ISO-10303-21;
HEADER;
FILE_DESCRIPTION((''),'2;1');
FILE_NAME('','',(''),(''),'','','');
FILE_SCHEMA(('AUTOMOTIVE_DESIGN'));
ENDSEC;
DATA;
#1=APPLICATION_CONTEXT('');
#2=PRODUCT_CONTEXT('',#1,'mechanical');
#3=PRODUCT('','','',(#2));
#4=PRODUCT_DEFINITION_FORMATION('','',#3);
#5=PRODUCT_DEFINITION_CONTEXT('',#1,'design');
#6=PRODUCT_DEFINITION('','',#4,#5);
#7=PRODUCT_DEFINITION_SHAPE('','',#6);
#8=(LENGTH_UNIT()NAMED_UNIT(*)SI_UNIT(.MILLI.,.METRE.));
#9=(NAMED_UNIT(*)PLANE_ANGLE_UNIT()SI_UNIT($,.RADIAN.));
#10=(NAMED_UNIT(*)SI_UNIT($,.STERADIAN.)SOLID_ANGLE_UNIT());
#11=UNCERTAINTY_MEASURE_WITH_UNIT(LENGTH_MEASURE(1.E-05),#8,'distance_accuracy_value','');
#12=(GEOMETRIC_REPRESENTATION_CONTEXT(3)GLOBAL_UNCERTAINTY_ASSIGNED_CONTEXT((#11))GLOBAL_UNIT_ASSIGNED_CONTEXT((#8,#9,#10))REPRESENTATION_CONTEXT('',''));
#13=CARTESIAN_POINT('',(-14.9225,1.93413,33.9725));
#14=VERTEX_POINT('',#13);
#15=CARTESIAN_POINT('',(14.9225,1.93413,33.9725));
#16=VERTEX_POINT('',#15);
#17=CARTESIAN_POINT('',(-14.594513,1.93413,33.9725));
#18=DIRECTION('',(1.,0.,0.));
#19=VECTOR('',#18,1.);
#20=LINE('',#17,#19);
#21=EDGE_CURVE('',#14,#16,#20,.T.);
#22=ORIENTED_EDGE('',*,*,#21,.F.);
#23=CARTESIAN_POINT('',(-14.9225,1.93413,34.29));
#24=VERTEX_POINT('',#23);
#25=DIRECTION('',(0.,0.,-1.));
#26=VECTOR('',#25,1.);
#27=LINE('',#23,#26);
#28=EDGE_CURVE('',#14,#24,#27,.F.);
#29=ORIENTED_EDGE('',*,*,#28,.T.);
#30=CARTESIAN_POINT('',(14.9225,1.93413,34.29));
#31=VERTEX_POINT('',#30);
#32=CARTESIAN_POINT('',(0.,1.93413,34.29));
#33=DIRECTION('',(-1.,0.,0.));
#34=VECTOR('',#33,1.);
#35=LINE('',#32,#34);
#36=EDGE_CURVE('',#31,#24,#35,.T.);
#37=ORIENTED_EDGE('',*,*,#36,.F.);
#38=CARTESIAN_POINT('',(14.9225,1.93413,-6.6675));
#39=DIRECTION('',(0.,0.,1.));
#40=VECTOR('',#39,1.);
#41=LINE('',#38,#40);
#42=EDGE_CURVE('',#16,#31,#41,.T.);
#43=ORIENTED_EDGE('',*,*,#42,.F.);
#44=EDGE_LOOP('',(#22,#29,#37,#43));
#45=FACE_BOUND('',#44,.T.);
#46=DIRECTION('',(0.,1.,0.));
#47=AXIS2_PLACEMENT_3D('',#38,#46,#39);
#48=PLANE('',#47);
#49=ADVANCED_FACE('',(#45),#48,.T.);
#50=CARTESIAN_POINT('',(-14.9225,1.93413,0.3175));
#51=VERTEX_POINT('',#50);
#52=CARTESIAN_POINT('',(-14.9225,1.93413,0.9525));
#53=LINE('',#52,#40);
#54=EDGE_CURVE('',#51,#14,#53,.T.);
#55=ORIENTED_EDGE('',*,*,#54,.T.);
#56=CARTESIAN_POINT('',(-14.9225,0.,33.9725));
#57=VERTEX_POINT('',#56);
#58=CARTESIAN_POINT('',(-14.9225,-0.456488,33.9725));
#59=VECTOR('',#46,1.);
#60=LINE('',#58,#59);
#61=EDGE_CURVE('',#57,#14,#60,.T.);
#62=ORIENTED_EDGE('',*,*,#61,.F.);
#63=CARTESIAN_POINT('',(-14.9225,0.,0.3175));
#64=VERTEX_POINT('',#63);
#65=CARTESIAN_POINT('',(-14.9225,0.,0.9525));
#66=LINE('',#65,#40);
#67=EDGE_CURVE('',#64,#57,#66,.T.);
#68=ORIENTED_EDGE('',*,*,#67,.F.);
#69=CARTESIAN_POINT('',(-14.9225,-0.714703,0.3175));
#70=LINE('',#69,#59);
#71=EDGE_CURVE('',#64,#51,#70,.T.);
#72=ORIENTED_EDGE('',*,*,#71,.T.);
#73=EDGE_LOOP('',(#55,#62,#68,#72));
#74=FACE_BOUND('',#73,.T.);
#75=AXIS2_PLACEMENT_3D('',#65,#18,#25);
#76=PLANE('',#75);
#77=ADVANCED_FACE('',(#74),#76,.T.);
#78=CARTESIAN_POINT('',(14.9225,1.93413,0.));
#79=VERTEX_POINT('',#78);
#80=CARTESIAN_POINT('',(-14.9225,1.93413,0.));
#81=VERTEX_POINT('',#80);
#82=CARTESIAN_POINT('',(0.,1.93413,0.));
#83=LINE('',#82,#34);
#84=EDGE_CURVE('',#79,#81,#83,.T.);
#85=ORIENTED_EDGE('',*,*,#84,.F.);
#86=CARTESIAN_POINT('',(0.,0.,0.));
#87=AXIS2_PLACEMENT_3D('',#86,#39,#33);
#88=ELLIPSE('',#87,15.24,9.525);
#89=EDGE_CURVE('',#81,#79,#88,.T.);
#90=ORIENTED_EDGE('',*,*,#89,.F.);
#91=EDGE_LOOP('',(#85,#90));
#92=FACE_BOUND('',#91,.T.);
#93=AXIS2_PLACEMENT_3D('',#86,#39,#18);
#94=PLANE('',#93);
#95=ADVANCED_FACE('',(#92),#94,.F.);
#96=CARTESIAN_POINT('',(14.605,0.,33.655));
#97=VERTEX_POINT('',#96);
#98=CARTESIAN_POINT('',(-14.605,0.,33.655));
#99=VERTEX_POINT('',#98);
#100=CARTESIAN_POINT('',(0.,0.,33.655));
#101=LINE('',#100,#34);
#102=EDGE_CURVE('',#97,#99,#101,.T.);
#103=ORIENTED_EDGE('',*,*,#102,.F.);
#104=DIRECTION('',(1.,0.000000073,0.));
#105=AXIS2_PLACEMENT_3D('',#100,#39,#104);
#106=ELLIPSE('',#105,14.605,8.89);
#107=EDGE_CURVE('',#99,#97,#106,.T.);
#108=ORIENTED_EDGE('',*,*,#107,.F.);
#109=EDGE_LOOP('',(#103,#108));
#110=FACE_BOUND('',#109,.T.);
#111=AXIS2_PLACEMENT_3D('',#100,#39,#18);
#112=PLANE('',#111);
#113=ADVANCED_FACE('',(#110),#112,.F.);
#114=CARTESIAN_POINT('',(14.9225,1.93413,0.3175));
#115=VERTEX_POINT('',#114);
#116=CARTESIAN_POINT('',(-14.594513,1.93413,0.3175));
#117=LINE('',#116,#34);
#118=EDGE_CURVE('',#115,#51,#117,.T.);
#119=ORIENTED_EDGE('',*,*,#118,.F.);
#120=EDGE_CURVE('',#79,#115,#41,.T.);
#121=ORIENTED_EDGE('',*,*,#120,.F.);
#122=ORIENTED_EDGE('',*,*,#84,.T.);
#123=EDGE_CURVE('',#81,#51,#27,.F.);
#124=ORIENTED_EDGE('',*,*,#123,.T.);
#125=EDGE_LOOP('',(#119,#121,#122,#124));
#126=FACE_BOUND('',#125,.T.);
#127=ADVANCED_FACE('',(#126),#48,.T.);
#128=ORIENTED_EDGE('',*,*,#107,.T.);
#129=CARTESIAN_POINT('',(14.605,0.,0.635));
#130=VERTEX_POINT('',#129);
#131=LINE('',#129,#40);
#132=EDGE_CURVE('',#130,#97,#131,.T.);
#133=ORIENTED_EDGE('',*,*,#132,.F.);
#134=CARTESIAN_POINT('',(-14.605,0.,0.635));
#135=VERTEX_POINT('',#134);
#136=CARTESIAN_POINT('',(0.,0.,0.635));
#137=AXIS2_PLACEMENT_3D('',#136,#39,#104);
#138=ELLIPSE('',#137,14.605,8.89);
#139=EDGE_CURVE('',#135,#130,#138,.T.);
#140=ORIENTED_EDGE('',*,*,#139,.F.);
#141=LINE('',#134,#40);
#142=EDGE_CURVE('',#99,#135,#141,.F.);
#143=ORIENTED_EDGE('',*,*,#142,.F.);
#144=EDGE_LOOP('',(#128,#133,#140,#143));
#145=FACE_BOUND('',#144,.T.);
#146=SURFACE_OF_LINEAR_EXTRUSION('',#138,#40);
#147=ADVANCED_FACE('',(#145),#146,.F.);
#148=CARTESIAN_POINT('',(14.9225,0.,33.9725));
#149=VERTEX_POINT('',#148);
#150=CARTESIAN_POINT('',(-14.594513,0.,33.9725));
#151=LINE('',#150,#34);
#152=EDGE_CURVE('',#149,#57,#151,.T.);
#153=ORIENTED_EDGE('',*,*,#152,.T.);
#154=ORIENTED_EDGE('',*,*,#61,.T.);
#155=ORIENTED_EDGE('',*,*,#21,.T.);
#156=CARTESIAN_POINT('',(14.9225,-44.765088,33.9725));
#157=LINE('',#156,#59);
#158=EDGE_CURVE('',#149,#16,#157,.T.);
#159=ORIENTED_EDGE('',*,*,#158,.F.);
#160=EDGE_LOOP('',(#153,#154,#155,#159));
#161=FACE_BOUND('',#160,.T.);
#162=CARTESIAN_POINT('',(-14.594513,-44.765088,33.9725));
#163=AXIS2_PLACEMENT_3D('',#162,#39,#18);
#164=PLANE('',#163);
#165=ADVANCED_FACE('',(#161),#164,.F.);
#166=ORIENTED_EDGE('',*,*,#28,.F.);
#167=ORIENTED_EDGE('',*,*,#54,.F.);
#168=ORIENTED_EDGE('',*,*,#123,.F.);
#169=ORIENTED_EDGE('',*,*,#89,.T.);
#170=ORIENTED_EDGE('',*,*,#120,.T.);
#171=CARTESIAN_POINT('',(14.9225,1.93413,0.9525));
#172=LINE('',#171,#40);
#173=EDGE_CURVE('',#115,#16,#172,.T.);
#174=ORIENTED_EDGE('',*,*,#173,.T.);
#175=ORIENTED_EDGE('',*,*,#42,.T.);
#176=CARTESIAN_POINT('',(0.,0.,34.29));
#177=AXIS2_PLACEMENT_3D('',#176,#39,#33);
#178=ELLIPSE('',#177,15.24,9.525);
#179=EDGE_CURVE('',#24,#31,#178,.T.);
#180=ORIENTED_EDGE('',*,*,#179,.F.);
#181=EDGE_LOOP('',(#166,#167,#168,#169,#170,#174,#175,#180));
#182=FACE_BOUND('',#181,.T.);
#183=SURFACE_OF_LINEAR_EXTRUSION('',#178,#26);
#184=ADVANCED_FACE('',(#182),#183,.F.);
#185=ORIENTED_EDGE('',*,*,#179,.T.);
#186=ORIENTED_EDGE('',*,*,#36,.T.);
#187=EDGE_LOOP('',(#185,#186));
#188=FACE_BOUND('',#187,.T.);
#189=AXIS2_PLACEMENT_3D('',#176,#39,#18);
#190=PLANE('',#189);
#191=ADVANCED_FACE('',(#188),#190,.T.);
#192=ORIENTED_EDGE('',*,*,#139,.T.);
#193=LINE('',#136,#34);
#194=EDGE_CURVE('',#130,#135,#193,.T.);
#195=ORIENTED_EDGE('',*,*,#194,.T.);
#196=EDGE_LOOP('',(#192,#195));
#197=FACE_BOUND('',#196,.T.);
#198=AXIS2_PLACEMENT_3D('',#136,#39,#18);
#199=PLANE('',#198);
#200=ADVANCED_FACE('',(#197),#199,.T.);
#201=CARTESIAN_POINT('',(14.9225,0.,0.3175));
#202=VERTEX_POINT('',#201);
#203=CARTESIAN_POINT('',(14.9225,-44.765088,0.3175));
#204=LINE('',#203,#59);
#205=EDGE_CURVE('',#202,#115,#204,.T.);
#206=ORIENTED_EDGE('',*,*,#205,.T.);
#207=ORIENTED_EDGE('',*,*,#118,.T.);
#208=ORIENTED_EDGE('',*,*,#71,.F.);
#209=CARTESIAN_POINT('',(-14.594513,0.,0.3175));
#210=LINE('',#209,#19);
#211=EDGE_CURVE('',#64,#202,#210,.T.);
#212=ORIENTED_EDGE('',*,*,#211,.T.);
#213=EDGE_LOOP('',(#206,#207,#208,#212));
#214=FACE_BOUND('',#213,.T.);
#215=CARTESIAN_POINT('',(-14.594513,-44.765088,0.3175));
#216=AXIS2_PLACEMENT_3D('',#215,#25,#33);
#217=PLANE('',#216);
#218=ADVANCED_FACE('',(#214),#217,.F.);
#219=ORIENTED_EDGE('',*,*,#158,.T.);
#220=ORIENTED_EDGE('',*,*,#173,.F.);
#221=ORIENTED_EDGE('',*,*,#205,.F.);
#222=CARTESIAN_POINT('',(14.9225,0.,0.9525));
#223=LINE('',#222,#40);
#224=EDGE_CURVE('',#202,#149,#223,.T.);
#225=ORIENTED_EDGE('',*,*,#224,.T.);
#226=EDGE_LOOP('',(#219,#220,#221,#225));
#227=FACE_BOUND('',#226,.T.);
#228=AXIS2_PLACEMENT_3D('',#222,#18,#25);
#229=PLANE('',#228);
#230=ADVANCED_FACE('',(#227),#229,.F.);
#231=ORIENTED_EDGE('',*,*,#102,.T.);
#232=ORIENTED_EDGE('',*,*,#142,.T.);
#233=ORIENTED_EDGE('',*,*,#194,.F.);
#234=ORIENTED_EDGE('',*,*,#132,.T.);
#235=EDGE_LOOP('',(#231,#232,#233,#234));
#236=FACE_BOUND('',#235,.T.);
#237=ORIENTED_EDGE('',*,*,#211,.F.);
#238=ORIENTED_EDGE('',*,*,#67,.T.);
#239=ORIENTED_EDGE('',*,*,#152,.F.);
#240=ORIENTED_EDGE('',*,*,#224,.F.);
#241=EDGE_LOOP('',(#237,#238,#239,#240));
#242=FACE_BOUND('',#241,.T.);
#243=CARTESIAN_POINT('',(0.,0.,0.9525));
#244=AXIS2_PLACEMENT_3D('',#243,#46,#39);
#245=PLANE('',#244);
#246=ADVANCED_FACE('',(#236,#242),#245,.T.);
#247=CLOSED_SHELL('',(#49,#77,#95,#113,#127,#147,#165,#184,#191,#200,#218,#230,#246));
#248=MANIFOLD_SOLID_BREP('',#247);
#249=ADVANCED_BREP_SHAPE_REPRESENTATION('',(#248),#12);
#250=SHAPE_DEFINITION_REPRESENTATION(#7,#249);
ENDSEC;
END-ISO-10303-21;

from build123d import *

# Parameters (mm, degrees)
SKETCH1_RX              = 15.24
SKETCH1_RY              = 9.525
BOSS_EXTRUDE2_DEPTH     = 34.29
CUT_EXTRUDE1_START      = -0.635
SKETCH3_RX              = 14.605
SKETCH3_RY              = 8.89
CUT_EXTRUDE1_DEPTH      = 33.02
CUT_EXTRUDE3_START      = -0.635
CUT_EXTRUDE3_DEPTH      = 32.7025
SKETCH6_W               = 32.06646649
SKETCH6_H               = 9.119465297
CUT_EXTRUDE4_DEPTH      = 40.3225
CUT_EXTRUDE4_DEPTH_BACK = 32.7025
SKETCH7_W               = 29.517013218
SKETCH7_H               = 33.655
CUT_EXTRUDE5_DEPTH      = 1.93413
SKETCH8_W               = 0.327986782
SKETCH8_H               = 0.3175
CUT_EXTRUDE6_DEPTH      = 1.93413
SKETCH9_W               = 0.327986782
SKETCH9_H               = 0.635
CUT_EXTRUDE7_DEPTH      = 1.93413


with BuildPart() as part:
    # Sketch1 → Boss-Extrude2 (new body)
    with BuildSketch(Plane.XY):
        with Locations(Location((0, 0), (0, 0, 180))):
            Ellipse(SKETCH1_RX, SKETCH1_RY)
    extrude(amount=BOSS_EXTRUDE2_DEPTH)

    # Sketch3 → Cut-Extrude1 (cut)
    with BuildSketch(Plane.XY.offset(34.29).offset(CUT_EXTRUDE1_START)):
        with Locations(Location((0, 0), (0, 0, 4.189e-06))):
            Ellipse(SKETCH3_RX, SKETCH3_RY)
    extrude(amount=-CUT_EXTRUDE1_DEPTH, mode=Mode.SUBTRACT)

    # Sketch4 → Cut-Extrude3 (cut)
    with BuildSketch(Plane.XY.offset(34.29).offset(CUT_EXTRUDE3_START)):
        with BuildLine():
            Line((-14.9225, 0), (0, 0))
            Line((0, 0), (0, 9.525))
            add(Edge.make_bspline(
                [(0, 9.525), (-12.403805408, 9.525), (-14.9225, 1.934129503)],
                knots=[4.71238898, 4.71238898, 4.71238898, 6.078705108, 6.078705108, 6.078705108], degree=2, weights=[1, 0.775583076, 1]))
            Line((-14.9225, 1.934129503), (-14.9225, 0))
        make_face()
        with BuildLine():
            Line((0, 0), (14.9225, 0))
            Line((14.9225, 0), (14.9225, 1.934129503))
            add(Edge.make_bspline(
                [(14.9225, 1.934129503), (12.403805408, 9.525), (0, 9.525)],
                knots=[3.346072853, 3.346072853, 3.346072853, 4.71238898, 4.71238898, 4.71238898], degree=2, weights=[1, 0.775583076, 1]))
            Line((0, 9.525), (0, 0))
        make_face()
    extrude(amount=-CUT_EXTRUDE3_DEPTH, mode=Mode.SUBTRACT)

    # Sketch6 → Cut-Extrude4 (cut, two sides)
    with BuildSketch(Plane(origin=(0, 0, 33.655), x_dir=(-1, 0, 0), z_dir=(0, 0, -1))) as cut_extrude4_sk:
        with Locations((1.110733245, 6.493862152)):
            Rectangle(SKETCH6_W, SKETCH6_H)
    extrude(amount=CUT_EXTRUDE4_DEPTH, mode=Mode.SUBTRACT)
    extrude(cut_extrude4_sk.sketch, amount=-CUT_EXTRUDE4_DEPTH_BACK, mode=Mode.SUBTRACT)

    # Sketch7 → Cut-Extrude5 (cut)
    with BuildSketch(Plane(origin=(0, 1.934129503, 0), x_dir=(1, 0, 0), z_dir=(0, 1, 0))):
        with Locations((0.163993391, -17.145)):
            Rectangle(SKETCH7_W, SKETCH7_H)
    extrude(amount=-CUT_EXTRUDE5_DEPTH, mode=Mode.SUBTRACT)

    # Sketch8 → Cut-Extrude6 (cut)
    with BuildSketch(Plane(origin=(0, 1.934129503, 0), x_dir=(1, 0, 0), z_dir=(0, 1, 0))):
        with Locations((-14.758506609, -33.81375)):
            Rectangle(SKETCH8_W, SKETCH8_H)
    extrude(amount=-CUT_EXTRUDE6_DEPTH, mode=Mode.SUBTRACT)

    # Sketch9 → Cut-Extrude7 (cut)
    with BuildSketch(Plane(origin=(0, 1.934129503, 0), x_dir=(1, 0, 0), z_dir=(0, 1, 0))):
        with Locations((-14.758506609, -0.635)):
            Rectangle(SKETCH9_W, SKETCH9_H)
    extrude(amount=-CUT_EXTRUDE7_DEPTH, mode=Mode.SUBTRACT)


solid = part.part
